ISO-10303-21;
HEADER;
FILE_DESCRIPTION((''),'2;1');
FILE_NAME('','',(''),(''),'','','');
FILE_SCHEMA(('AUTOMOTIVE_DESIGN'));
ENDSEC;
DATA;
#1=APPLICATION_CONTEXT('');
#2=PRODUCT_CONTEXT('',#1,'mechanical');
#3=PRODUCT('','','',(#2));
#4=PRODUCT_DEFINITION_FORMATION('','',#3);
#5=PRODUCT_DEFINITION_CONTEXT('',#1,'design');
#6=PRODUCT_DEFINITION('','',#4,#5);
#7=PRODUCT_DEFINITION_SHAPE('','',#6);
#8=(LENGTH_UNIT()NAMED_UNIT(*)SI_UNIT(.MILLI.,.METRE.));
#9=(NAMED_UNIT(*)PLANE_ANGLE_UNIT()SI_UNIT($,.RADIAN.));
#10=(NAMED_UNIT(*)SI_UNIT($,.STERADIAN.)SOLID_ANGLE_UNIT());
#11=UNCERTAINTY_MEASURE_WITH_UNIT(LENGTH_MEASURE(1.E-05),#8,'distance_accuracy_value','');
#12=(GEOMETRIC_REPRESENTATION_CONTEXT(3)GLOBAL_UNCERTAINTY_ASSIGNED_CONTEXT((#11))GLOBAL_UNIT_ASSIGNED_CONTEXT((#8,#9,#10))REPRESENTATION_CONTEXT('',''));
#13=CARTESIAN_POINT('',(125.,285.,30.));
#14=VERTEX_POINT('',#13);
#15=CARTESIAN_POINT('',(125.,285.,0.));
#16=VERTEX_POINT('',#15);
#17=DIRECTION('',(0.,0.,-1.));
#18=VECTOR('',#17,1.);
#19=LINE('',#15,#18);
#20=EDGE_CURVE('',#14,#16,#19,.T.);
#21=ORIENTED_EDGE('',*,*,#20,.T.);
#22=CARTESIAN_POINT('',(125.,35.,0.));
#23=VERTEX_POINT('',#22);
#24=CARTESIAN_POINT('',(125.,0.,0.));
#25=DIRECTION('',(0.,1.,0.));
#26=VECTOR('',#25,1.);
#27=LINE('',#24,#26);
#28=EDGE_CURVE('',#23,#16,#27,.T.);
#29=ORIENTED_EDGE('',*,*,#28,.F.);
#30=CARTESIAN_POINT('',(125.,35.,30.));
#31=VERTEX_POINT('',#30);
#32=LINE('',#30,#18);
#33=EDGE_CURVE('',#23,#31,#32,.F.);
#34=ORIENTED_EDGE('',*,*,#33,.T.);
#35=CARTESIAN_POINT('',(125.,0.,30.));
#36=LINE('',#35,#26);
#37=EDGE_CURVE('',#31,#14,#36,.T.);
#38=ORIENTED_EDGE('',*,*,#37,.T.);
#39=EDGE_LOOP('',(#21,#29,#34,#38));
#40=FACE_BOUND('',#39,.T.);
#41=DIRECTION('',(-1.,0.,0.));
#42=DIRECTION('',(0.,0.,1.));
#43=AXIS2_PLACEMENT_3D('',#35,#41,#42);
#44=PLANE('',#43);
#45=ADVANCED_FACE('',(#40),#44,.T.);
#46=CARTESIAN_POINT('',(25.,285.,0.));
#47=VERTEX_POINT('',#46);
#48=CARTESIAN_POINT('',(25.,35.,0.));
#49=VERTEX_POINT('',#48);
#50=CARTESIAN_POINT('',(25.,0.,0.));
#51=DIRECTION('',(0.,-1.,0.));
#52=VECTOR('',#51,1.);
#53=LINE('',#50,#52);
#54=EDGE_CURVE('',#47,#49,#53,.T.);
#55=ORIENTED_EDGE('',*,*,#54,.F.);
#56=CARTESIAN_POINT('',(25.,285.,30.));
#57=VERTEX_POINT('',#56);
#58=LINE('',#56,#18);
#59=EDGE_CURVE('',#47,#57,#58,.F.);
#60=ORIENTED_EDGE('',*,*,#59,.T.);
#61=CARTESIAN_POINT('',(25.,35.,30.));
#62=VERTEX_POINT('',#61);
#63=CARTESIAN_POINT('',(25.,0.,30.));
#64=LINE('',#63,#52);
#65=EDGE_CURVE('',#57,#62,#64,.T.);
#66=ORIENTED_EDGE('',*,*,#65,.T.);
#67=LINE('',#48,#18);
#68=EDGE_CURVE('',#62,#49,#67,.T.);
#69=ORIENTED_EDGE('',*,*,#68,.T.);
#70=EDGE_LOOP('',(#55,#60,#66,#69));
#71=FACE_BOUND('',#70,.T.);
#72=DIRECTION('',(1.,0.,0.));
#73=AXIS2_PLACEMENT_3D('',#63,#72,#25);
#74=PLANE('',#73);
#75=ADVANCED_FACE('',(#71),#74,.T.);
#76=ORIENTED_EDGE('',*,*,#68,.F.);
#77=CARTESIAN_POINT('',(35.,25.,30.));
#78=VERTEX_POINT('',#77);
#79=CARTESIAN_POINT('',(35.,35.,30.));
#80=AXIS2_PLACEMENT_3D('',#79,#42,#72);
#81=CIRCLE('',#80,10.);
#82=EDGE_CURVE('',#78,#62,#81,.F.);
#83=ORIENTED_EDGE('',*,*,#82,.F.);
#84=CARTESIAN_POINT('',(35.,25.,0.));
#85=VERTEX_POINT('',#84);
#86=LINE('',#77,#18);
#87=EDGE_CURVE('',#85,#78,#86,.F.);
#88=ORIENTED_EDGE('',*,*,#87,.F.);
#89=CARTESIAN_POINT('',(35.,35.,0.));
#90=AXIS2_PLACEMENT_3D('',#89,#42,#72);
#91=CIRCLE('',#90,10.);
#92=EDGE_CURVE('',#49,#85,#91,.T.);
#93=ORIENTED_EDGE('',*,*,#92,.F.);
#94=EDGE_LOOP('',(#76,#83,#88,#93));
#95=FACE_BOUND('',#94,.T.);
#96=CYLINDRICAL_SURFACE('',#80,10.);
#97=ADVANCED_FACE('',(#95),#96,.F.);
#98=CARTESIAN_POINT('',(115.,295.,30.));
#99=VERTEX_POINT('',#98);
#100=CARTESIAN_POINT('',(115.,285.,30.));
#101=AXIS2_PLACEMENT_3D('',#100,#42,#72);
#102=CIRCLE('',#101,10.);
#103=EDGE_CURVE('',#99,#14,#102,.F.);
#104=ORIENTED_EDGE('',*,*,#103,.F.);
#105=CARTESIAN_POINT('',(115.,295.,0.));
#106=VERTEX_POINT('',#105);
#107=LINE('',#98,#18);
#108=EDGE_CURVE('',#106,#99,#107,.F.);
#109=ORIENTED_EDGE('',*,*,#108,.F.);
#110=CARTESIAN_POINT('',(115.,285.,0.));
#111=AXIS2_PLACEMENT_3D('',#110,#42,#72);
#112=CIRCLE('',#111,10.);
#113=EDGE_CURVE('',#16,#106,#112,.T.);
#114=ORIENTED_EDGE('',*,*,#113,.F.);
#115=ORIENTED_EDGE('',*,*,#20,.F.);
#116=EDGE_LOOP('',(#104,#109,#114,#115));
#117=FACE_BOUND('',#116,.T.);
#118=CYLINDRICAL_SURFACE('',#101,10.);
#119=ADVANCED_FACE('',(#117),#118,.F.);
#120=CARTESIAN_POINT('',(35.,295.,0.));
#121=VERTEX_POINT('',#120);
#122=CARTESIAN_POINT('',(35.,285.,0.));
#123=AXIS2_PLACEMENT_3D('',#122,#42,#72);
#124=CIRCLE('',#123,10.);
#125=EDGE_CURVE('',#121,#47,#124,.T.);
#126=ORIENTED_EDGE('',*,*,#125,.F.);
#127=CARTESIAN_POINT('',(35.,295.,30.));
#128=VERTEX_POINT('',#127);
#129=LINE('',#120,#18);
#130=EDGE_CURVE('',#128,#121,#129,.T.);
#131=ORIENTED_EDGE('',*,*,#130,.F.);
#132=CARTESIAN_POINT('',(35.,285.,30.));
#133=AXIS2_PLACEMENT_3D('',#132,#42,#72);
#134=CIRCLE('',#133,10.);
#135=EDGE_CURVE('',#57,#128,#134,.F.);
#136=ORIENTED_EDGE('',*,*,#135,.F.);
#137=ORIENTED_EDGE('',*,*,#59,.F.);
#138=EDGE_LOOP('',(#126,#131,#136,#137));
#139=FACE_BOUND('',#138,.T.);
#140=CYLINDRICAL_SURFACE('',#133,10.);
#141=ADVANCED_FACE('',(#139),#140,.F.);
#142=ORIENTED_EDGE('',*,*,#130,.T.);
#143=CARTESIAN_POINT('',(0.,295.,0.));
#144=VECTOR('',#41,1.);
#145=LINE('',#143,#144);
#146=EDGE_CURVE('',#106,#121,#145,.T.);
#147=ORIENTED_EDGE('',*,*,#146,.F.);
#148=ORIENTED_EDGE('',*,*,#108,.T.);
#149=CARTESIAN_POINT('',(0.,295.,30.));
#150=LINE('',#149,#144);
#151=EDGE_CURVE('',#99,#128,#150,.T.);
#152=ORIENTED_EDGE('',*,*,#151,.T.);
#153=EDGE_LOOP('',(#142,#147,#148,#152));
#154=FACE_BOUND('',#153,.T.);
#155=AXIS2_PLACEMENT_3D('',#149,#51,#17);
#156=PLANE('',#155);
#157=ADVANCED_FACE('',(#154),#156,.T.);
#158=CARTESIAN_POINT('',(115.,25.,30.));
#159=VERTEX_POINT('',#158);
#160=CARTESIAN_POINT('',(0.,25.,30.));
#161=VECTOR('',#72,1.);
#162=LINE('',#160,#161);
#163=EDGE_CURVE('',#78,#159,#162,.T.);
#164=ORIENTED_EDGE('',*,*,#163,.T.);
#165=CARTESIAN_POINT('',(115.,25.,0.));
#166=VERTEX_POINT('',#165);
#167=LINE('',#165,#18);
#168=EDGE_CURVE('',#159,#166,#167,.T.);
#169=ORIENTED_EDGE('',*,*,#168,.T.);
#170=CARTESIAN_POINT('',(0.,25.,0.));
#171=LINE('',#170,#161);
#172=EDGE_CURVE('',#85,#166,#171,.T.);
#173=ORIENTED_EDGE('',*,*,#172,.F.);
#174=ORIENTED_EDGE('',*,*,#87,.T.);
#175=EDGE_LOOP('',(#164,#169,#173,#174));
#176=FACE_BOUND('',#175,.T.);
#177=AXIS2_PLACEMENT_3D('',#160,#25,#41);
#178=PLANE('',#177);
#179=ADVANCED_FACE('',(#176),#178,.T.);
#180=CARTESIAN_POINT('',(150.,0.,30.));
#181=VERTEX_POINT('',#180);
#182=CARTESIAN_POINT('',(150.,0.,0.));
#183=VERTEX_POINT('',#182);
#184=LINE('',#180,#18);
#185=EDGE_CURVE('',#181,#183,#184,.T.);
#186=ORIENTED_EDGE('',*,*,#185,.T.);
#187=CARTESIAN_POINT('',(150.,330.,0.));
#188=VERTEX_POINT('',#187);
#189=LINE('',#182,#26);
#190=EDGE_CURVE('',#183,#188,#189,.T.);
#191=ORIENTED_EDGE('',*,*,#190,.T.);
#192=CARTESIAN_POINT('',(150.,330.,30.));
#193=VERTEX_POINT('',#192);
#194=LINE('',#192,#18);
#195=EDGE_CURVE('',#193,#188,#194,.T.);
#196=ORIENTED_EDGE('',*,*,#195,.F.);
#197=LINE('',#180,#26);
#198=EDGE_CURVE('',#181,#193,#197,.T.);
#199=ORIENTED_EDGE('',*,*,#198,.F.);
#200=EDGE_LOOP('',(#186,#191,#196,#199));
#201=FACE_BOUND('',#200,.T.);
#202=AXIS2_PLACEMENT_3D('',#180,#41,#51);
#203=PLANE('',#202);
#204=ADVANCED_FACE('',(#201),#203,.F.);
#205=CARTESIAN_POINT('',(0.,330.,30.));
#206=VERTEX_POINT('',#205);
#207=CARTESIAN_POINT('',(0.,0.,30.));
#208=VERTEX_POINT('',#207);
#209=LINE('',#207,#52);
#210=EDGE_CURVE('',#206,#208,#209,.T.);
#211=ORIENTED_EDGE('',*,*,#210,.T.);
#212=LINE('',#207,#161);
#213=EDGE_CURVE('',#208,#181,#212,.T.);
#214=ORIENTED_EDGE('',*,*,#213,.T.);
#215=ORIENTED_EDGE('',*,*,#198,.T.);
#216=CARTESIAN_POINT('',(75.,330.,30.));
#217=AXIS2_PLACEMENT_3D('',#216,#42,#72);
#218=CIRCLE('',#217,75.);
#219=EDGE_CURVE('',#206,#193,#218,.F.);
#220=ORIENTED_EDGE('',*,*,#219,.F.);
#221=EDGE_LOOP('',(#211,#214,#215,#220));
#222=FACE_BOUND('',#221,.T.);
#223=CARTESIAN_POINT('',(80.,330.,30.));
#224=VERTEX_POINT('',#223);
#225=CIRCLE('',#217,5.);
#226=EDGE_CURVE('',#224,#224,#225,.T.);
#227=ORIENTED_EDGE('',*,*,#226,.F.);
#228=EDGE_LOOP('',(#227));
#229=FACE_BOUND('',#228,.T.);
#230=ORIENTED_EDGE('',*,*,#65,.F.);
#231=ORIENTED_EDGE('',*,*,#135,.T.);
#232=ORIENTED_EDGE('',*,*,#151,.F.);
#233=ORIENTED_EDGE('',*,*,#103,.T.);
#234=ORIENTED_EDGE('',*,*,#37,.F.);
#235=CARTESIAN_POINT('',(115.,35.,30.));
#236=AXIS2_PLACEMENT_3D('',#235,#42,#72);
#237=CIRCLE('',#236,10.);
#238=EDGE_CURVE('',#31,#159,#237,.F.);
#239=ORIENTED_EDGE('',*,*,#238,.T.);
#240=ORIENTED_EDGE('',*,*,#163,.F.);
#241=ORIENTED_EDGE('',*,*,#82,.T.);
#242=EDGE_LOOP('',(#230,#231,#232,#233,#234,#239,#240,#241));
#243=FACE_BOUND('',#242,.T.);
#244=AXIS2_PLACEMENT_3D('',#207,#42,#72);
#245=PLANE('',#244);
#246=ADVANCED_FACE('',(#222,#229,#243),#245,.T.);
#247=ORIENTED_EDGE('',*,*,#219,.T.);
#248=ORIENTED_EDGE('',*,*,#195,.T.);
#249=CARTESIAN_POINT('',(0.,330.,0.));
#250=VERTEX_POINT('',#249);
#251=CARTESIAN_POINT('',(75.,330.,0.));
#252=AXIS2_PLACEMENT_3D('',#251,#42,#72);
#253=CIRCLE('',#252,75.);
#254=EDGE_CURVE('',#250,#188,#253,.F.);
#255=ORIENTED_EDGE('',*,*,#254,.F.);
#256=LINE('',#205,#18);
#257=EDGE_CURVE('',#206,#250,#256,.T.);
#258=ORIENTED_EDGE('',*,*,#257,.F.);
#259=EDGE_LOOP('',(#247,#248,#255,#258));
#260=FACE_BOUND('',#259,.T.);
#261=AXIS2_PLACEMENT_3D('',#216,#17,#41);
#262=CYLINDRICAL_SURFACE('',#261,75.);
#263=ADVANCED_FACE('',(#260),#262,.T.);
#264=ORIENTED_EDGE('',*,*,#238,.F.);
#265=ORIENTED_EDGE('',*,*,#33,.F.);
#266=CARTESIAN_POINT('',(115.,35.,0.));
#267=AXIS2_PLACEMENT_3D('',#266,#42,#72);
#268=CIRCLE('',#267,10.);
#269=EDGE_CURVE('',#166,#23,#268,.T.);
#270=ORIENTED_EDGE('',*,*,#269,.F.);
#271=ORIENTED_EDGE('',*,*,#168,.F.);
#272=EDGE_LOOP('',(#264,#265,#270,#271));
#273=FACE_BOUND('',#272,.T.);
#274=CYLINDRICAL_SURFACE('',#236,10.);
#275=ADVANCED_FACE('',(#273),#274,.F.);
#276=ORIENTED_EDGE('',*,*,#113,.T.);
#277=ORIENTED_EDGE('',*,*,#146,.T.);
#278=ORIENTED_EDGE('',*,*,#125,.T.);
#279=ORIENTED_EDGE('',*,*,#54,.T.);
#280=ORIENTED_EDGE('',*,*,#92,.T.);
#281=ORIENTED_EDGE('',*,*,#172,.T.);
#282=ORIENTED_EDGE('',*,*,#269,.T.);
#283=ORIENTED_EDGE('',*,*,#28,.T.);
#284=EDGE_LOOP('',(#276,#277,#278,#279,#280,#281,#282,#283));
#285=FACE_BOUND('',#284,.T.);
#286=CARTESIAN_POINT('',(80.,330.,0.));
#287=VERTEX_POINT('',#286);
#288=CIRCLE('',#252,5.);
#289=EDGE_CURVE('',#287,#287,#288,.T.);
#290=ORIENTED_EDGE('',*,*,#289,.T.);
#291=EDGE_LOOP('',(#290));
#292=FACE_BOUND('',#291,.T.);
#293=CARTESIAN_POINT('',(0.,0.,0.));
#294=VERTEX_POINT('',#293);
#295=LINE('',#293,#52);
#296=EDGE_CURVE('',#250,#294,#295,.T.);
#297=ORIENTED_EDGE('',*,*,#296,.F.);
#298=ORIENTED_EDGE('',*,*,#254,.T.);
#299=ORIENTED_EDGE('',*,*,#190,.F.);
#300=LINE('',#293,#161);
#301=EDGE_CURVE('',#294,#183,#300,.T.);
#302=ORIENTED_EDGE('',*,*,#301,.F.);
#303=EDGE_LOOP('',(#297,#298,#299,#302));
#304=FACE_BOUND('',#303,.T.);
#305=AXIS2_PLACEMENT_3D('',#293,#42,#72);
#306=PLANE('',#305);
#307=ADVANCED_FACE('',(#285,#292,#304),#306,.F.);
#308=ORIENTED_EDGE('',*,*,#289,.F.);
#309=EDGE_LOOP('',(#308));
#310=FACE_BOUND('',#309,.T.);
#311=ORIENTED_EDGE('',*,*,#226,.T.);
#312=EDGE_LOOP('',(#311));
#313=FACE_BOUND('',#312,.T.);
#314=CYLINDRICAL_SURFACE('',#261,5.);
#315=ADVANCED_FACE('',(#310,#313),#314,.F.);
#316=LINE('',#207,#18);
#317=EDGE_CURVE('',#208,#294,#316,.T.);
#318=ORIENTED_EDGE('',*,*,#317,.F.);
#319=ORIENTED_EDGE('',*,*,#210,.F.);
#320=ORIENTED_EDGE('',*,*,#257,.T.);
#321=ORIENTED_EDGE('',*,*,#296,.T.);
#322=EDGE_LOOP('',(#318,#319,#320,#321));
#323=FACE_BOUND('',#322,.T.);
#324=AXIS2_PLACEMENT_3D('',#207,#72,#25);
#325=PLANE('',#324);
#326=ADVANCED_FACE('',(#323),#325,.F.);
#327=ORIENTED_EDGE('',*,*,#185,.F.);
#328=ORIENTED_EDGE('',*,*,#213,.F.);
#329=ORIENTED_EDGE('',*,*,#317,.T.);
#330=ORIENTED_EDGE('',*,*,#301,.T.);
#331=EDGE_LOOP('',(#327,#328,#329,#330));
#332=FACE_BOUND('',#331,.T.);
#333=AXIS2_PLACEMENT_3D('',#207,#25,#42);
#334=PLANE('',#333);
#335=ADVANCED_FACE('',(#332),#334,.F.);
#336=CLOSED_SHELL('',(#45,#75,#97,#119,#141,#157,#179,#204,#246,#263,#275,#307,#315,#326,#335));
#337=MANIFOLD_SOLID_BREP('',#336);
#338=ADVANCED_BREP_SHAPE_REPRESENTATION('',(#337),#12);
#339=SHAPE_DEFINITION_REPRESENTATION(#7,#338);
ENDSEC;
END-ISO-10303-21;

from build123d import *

# Parameters (mm, degrees)
SKETCH1_R           = 5
SKETCH1_W           = 100
SKETCH1_H           = 270
BOSS_EXTRUDE1_DEPTH = 30
FILLET1_R           = 10


with BuildPart() as part:
    # Sketch1 → Boss-Extrude1 (new body)
    with BuildSketch(Plane.XY):
        with BuildLine():
            Line((0, 0), (150, 0))
            Line((150, 0), (150, 330))
            ThreePointArc((150, 330), (75, 405), (0, 330))
            Line((0, 330), (0, 0))
        make_face()
        with Locations((75, 330)):
            Circle(SKETCH1_R, mode=Mode.SUBTRACT)
        with Locations((75, 160)):
            Rectangle(SKETCH1_W, SKETCH1_H, mode=Mode.SUBTRACT)
    extrude(amount=BOSS_EXTRUDE1_DEPTH)

    # Fillet1
    fillet1_edges = [part.edges().sort_by_distance(p)[0] for p in [
        (125, 295, 15),
        (25, 295, 15),
        (25, 25, 15),
        (125, 25, 15),
    ]]
    fillet(fillet1_edges, radius=FILLET1_R)


solid = part.part
